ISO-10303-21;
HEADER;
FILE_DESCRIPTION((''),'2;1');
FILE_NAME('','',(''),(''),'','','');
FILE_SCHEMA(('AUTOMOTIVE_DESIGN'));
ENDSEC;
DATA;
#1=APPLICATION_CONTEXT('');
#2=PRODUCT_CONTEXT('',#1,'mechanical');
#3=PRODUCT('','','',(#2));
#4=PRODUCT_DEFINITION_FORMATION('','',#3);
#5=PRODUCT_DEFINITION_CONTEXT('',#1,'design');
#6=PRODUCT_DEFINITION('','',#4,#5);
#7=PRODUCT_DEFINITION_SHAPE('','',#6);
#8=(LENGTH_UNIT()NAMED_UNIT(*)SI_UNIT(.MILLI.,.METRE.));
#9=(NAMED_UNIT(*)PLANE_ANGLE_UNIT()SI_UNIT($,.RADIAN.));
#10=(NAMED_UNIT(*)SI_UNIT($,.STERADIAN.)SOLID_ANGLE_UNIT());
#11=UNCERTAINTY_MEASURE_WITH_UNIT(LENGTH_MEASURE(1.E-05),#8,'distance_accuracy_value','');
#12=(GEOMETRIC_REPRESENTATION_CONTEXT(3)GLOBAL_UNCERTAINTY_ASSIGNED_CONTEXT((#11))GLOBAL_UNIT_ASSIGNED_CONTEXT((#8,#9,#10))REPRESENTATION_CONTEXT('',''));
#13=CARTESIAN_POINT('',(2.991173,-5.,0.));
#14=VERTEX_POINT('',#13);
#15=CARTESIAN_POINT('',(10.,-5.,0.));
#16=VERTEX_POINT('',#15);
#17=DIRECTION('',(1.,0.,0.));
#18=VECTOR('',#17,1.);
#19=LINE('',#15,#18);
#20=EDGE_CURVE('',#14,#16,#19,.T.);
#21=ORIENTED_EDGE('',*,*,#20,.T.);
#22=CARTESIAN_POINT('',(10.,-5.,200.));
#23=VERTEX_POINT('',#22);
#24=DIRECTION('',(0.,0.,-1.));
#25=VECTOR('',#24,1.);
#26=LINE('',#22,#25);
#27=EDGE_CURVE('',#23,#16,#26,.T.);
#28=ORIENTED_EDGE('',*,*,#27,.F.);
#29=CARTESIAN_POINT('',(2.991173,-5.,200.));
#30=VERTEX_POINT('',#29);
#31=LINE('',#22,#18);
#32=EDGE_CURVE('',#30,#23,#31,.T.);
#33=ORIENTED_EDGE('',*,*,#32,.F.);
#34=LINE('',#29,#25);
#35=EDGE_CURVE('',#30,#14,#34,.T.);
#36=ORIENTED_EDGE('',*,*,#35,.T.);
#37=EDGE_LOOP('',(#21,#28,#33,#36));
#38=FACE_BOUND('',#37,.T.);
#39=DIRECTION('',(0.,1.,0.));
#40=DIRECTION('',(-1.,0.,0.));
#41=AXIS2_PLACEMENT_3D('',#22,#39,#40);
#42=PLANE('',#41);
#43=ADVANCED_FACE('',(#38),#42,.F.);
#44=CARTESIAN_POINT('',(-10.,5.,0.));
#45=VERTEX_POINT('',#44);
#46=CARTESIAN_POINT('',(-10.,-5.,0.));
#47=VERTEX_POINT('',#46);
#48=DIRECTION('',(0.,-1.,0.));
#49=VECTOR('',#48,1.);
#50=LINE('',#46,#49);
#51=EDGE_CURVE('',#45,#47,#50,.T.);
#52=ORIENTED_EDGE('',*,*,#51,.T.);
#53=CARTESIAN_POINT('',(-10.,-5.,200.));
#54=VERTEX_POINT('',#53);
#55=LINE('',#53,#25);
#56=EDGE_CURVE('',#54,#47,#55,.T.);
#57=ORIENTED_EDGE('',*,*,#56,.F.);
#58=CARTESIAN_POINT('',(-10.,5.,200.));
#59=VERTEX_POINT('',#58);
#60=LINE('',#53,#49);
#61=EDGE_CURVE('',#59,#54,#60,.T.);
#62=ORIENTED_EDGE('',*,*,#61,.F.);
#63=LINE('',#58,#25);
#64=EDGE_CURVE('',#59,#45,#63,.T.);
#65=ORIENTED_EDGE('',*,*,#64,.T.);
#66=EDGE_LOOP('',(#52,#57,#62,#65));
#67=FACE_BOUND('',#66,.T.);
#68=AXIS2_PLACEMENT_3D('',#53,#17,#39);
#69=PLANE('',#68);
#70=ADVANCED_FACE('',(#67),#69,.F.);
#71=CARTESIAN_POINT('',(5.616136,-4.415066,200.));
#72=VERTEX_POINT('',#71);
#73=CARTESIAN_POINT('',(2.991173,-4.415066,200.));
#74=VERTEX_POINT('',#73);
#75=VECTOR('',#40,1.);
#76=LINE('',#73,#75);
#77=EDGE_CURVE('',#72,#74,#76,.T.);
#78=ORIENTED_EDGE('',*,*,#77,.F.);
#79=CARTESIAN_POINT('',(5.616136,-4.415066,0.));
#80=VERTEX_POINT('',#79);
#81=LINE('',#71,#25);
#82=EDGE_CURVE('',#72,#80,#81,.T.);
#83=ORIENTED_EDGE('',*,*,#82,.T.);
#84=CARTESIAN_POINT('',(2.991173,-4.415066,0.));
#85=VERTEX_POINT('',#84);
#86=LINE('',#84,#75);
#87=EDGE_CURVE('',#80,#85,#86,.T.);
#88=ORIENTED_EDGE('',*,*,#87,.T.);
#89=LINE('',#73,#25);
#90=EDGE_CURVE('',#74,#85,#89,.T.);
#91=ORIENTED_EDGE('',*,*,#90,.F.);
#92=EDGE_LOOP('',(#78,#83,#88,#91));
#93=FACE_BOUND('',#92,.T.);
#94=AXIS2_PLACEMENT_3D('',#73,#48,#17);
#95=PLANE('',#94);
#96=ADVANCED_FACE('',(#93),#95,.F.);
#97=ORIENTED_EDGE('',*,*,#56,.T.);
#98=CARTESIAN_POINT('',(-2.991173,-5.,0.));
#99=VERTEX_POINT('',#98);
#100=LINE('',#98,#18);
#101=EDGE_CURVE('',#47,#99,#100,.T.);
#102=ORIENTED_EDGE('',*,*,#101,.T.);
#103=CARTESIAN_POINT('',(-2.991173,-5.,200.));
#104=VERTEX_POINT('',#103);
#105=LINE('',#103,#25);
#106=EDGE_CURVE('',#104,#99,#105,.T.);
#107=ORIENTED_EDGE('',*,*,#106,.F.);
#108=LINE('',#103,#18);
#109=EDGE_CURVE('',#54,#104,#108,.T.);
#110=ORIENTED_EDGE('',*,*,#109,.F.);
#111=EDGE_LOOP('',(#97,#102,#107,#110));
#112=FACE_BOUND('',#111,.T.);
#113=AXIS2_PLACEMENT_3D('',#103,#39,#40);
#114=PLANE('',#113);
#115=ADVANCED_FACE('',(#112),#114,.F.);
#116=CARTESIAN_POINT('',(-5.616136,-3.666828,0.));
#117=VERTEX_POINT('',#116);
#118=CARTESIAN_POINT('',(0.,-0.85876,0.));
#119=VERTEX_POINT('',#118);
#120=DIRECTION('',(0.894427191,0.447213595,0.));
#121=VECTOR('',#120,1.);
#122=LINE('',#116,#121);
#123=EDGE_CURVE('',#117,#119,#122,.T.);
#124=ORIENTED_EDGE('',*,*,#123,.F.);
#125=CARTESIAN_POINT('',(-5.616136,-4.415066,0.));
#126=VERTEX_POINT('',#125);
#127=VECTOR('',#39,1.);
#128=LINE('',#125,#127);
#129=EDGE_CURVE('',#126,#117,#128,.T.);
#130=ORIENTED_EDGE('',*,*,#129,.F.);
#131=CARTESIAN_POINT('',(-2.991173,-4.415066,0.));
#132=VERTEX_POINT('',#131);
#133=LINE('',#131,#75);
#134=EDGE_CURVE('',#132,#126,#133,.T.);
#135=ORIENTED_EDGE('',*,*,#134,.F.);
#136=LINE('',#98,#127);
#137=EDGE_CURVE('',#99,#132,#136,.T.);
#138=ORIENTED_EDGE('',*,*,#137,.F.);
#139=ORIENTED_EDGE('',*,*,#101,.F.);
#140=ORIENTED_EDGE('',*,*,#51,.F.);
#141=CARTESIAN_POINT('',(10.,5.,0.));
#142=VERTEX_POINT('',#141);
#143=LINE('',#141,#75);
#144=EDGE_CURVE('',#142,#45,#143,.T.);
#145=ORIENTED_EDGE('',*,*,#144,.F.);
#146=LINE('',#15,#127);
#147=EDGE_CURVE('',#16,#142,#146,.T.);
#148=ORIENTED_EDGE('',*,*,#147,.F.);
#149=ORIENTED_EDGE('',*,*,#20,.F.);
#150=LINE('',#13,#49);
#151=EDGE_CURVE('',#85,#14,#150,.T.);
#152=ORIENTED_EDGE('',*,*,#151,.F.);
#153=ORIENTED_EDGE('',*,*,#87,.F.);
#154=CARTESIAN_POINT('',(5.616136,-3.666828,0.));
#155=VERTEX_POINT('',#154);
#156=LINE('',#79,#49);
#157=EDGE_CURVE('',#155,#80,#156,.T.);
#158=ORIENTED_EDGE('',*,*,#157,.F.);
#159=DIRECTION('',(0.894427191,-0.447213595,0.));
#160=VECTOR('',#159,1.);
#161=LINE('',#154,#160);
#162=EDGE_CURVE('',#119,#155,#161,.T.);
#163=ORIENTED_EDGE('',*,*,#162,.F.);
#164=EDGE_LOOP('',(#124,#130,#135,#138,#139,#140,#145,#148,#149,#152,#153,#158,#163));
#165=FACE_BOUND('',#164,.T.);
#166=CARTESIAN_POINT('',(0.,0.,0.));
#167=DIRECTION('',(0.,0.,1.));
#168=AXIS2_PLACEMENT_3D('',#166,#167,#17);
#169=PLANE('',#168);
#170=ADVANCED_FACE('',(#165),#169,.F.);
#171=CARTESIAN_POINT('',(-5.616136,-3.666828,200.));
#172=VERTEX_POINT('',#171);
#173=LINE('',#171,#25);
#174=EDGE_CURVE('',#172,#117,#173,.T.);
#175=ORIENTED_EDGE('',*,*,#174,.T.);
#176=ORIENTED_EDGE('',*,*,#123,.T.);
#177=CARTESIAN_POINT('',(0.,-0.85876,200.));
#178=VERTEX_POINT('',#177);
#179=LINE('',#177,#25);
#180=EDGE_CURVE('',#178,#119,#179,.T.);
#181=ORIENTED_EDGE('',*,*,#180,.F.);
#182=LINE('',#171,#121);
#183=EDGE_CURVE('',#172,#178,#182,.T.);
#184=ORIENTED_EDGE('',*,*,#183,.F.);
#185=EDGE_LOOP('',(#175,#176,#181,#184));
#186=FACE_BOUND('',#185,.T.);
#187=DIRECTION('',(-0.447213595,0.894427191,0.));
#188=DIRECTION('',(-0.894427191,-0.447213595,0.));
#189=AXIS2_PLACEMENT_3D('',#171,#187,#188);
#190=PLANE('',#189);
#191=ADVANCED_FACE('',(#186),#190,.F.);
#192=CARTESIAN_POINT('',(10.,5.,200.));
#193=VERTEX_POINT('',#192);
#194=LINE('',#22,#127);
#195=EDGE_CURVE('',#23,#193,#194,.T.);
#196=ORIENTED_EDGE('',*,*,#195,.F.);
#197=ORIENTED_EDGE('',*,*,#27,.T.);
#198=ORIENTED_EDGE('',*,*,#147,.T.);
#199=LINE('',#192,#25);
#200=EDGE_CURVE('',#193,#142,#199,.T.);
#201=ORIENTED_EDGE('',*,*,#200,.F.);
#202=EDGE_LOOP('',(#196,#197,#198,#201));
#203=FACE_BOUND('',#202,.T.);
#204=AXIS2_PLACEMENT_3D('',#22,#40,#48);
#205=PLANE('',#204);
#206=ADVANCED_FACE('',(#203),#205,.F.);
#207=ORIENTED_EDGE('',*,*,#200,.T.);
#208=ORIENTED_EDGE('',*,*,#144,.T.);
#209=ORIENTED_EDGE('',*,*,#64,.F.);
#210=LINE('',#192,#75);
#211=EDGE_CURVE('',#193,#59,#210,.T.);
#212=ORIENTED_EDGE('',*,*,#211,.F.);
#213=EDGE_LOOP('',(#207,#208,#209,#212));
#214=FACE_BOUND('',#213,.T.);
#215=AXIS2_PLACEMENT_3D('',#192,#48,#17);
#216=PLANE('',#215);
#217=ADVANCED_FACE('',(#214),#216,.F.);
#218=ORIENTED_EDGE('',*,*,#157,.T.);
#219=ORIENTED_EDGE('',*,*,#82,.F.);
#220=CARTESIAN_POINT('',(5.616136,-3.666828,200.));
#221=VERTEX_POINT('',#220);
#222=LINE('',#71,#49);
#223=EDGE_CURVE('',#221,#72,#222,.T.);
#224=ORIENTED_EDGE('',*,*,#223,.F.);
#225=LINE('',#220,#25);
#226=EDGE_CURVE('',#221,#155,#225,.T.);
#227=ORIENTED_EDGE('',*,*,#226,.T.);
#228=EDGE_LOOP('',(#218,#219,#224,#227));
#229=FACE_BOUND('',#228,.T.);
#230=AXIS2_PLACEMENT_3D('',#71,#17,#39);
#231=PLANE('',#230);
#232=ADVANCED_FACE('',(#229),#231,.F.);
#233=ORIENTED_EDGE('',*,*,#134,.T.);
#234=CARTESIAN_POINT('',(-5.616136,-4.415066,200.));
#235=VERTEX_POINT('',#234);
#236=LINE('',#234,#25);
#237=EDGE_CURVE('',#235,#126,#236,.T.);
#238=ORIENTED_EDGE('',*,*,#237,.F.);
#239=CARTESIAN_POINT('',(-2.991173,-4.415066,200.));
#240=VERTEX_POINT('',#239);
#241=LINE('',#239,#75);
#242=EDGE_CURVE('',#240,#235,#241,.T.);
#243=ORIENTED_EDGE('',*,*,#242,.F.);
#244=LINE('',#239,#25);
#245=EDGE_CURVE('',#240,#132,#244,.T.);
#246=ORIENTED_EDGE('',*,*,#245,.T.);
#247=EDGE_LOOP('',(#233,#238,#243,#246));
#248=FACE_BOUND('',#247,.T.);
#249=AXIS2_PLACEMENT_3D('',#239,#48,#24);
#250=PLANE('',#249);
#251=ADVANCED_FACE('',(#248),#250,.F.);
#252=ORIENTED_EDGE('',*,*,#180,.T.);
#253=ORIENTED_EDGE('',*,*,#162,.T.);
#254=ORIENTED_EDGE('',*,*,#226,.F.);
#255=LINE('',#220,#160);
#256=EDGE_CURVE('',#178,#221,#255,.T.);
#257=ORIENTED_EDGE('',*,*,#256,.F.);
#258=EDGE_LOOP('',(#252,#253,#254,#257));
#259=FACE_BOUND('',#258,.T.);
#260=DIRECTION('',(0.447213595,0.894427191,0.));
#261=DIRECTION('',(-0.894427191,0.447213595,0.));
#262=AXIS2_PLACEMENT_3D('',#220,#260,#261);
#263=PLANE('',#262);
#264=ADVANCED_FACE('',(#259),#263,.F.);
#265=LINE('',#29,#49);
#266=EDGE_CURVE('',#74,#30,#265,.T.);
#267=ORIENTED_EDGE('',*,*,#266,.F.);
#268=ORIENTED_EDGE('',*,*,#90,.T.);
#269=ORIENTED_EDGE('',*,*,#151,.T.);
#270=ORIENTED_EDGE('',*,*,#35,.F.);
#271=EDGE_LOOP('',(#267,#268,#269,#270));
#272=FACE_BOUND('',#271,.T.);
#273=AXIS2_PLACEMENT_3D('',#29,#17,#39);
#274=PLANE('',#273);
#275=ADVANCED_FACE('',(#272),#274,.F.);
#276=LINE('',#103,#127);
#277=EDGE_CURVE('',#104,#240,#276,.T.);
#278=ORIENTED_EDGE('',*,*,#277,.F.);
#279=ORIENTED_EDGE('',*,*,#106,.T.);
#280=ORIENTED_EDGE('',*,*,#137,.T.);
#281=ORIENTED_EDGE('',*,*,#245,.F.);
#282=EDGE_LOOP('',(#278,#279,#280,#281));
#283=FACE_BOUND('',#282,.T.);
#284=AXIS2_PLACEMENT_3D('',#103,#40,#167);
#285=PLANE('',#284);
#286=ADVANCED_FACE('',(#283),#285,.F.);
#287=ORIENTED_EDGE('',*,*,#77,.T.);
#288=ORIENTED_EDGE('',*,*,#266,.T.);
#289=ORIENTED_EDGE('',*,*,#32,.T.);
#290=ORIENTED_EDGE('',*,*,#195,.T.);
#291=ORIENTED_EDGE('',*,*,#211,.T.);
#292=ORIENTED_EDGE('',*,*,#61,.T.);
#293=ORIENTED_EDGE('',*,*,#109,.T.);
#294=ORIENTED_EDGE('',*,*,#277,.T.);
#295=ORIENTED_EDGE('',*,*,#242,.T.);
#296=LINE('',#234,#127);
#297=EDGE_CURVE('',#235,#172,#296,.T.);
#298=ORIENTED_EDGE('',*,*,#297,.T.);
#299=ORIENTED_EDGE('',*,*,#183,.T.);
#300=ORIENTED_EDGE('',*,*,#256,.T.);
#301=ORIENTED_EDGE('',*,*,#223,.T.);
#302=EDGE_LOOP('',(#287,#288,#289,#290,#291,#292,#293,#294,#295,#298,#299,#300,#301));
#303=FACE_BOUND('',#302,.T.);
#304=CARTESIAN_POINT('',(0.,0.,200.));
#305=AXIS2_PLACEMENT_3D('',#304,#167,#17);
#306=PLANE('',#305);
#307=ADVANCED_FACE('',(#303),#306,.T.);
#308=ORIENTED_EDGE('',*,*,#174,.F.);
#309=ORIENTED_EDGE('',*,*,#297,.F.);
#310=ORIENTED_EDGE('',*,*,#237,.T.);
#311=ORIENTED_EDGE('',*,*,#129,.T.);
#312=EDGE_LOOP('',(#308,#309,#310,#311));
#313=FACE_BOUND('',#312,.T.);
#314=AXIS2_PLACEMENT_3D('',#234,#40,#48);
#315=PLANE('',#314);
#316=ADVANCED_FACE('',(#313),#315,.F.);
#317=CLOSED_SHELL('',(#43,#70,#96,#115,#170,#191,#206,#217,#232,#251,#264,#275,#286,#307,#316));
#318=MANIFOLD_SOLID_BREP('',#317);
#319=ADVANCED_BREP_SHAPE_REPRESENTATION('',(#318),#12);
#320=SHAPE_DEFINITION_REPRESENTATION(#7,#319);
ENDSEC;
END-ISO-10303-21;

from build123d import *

# Parameters (mm, degrees)
EXTRUDE_1_DEPTH = 200


with BuildPart() as part:
    # 草图1 → 凸台-拉伸1 (new body)
    with BuildSketch(Plane.XY):
        Polygon((10, -5), (2.991173256, -5), (2.991173256, -4.415065752), (5.616135547, -4.415065752), (5.616135547, -3.666827547), (0, -0.858759774), (-5.616135547, -3.666827547), (-5.616135547, -4.415065752), (-2.991173256, -4.415065752), (-2.991173256, -5), (-10, -5), (-10, 5), (10, 5), align=None)
    extrude(amount=EXTRUDE_1_DEPTH)


solid = part.part
